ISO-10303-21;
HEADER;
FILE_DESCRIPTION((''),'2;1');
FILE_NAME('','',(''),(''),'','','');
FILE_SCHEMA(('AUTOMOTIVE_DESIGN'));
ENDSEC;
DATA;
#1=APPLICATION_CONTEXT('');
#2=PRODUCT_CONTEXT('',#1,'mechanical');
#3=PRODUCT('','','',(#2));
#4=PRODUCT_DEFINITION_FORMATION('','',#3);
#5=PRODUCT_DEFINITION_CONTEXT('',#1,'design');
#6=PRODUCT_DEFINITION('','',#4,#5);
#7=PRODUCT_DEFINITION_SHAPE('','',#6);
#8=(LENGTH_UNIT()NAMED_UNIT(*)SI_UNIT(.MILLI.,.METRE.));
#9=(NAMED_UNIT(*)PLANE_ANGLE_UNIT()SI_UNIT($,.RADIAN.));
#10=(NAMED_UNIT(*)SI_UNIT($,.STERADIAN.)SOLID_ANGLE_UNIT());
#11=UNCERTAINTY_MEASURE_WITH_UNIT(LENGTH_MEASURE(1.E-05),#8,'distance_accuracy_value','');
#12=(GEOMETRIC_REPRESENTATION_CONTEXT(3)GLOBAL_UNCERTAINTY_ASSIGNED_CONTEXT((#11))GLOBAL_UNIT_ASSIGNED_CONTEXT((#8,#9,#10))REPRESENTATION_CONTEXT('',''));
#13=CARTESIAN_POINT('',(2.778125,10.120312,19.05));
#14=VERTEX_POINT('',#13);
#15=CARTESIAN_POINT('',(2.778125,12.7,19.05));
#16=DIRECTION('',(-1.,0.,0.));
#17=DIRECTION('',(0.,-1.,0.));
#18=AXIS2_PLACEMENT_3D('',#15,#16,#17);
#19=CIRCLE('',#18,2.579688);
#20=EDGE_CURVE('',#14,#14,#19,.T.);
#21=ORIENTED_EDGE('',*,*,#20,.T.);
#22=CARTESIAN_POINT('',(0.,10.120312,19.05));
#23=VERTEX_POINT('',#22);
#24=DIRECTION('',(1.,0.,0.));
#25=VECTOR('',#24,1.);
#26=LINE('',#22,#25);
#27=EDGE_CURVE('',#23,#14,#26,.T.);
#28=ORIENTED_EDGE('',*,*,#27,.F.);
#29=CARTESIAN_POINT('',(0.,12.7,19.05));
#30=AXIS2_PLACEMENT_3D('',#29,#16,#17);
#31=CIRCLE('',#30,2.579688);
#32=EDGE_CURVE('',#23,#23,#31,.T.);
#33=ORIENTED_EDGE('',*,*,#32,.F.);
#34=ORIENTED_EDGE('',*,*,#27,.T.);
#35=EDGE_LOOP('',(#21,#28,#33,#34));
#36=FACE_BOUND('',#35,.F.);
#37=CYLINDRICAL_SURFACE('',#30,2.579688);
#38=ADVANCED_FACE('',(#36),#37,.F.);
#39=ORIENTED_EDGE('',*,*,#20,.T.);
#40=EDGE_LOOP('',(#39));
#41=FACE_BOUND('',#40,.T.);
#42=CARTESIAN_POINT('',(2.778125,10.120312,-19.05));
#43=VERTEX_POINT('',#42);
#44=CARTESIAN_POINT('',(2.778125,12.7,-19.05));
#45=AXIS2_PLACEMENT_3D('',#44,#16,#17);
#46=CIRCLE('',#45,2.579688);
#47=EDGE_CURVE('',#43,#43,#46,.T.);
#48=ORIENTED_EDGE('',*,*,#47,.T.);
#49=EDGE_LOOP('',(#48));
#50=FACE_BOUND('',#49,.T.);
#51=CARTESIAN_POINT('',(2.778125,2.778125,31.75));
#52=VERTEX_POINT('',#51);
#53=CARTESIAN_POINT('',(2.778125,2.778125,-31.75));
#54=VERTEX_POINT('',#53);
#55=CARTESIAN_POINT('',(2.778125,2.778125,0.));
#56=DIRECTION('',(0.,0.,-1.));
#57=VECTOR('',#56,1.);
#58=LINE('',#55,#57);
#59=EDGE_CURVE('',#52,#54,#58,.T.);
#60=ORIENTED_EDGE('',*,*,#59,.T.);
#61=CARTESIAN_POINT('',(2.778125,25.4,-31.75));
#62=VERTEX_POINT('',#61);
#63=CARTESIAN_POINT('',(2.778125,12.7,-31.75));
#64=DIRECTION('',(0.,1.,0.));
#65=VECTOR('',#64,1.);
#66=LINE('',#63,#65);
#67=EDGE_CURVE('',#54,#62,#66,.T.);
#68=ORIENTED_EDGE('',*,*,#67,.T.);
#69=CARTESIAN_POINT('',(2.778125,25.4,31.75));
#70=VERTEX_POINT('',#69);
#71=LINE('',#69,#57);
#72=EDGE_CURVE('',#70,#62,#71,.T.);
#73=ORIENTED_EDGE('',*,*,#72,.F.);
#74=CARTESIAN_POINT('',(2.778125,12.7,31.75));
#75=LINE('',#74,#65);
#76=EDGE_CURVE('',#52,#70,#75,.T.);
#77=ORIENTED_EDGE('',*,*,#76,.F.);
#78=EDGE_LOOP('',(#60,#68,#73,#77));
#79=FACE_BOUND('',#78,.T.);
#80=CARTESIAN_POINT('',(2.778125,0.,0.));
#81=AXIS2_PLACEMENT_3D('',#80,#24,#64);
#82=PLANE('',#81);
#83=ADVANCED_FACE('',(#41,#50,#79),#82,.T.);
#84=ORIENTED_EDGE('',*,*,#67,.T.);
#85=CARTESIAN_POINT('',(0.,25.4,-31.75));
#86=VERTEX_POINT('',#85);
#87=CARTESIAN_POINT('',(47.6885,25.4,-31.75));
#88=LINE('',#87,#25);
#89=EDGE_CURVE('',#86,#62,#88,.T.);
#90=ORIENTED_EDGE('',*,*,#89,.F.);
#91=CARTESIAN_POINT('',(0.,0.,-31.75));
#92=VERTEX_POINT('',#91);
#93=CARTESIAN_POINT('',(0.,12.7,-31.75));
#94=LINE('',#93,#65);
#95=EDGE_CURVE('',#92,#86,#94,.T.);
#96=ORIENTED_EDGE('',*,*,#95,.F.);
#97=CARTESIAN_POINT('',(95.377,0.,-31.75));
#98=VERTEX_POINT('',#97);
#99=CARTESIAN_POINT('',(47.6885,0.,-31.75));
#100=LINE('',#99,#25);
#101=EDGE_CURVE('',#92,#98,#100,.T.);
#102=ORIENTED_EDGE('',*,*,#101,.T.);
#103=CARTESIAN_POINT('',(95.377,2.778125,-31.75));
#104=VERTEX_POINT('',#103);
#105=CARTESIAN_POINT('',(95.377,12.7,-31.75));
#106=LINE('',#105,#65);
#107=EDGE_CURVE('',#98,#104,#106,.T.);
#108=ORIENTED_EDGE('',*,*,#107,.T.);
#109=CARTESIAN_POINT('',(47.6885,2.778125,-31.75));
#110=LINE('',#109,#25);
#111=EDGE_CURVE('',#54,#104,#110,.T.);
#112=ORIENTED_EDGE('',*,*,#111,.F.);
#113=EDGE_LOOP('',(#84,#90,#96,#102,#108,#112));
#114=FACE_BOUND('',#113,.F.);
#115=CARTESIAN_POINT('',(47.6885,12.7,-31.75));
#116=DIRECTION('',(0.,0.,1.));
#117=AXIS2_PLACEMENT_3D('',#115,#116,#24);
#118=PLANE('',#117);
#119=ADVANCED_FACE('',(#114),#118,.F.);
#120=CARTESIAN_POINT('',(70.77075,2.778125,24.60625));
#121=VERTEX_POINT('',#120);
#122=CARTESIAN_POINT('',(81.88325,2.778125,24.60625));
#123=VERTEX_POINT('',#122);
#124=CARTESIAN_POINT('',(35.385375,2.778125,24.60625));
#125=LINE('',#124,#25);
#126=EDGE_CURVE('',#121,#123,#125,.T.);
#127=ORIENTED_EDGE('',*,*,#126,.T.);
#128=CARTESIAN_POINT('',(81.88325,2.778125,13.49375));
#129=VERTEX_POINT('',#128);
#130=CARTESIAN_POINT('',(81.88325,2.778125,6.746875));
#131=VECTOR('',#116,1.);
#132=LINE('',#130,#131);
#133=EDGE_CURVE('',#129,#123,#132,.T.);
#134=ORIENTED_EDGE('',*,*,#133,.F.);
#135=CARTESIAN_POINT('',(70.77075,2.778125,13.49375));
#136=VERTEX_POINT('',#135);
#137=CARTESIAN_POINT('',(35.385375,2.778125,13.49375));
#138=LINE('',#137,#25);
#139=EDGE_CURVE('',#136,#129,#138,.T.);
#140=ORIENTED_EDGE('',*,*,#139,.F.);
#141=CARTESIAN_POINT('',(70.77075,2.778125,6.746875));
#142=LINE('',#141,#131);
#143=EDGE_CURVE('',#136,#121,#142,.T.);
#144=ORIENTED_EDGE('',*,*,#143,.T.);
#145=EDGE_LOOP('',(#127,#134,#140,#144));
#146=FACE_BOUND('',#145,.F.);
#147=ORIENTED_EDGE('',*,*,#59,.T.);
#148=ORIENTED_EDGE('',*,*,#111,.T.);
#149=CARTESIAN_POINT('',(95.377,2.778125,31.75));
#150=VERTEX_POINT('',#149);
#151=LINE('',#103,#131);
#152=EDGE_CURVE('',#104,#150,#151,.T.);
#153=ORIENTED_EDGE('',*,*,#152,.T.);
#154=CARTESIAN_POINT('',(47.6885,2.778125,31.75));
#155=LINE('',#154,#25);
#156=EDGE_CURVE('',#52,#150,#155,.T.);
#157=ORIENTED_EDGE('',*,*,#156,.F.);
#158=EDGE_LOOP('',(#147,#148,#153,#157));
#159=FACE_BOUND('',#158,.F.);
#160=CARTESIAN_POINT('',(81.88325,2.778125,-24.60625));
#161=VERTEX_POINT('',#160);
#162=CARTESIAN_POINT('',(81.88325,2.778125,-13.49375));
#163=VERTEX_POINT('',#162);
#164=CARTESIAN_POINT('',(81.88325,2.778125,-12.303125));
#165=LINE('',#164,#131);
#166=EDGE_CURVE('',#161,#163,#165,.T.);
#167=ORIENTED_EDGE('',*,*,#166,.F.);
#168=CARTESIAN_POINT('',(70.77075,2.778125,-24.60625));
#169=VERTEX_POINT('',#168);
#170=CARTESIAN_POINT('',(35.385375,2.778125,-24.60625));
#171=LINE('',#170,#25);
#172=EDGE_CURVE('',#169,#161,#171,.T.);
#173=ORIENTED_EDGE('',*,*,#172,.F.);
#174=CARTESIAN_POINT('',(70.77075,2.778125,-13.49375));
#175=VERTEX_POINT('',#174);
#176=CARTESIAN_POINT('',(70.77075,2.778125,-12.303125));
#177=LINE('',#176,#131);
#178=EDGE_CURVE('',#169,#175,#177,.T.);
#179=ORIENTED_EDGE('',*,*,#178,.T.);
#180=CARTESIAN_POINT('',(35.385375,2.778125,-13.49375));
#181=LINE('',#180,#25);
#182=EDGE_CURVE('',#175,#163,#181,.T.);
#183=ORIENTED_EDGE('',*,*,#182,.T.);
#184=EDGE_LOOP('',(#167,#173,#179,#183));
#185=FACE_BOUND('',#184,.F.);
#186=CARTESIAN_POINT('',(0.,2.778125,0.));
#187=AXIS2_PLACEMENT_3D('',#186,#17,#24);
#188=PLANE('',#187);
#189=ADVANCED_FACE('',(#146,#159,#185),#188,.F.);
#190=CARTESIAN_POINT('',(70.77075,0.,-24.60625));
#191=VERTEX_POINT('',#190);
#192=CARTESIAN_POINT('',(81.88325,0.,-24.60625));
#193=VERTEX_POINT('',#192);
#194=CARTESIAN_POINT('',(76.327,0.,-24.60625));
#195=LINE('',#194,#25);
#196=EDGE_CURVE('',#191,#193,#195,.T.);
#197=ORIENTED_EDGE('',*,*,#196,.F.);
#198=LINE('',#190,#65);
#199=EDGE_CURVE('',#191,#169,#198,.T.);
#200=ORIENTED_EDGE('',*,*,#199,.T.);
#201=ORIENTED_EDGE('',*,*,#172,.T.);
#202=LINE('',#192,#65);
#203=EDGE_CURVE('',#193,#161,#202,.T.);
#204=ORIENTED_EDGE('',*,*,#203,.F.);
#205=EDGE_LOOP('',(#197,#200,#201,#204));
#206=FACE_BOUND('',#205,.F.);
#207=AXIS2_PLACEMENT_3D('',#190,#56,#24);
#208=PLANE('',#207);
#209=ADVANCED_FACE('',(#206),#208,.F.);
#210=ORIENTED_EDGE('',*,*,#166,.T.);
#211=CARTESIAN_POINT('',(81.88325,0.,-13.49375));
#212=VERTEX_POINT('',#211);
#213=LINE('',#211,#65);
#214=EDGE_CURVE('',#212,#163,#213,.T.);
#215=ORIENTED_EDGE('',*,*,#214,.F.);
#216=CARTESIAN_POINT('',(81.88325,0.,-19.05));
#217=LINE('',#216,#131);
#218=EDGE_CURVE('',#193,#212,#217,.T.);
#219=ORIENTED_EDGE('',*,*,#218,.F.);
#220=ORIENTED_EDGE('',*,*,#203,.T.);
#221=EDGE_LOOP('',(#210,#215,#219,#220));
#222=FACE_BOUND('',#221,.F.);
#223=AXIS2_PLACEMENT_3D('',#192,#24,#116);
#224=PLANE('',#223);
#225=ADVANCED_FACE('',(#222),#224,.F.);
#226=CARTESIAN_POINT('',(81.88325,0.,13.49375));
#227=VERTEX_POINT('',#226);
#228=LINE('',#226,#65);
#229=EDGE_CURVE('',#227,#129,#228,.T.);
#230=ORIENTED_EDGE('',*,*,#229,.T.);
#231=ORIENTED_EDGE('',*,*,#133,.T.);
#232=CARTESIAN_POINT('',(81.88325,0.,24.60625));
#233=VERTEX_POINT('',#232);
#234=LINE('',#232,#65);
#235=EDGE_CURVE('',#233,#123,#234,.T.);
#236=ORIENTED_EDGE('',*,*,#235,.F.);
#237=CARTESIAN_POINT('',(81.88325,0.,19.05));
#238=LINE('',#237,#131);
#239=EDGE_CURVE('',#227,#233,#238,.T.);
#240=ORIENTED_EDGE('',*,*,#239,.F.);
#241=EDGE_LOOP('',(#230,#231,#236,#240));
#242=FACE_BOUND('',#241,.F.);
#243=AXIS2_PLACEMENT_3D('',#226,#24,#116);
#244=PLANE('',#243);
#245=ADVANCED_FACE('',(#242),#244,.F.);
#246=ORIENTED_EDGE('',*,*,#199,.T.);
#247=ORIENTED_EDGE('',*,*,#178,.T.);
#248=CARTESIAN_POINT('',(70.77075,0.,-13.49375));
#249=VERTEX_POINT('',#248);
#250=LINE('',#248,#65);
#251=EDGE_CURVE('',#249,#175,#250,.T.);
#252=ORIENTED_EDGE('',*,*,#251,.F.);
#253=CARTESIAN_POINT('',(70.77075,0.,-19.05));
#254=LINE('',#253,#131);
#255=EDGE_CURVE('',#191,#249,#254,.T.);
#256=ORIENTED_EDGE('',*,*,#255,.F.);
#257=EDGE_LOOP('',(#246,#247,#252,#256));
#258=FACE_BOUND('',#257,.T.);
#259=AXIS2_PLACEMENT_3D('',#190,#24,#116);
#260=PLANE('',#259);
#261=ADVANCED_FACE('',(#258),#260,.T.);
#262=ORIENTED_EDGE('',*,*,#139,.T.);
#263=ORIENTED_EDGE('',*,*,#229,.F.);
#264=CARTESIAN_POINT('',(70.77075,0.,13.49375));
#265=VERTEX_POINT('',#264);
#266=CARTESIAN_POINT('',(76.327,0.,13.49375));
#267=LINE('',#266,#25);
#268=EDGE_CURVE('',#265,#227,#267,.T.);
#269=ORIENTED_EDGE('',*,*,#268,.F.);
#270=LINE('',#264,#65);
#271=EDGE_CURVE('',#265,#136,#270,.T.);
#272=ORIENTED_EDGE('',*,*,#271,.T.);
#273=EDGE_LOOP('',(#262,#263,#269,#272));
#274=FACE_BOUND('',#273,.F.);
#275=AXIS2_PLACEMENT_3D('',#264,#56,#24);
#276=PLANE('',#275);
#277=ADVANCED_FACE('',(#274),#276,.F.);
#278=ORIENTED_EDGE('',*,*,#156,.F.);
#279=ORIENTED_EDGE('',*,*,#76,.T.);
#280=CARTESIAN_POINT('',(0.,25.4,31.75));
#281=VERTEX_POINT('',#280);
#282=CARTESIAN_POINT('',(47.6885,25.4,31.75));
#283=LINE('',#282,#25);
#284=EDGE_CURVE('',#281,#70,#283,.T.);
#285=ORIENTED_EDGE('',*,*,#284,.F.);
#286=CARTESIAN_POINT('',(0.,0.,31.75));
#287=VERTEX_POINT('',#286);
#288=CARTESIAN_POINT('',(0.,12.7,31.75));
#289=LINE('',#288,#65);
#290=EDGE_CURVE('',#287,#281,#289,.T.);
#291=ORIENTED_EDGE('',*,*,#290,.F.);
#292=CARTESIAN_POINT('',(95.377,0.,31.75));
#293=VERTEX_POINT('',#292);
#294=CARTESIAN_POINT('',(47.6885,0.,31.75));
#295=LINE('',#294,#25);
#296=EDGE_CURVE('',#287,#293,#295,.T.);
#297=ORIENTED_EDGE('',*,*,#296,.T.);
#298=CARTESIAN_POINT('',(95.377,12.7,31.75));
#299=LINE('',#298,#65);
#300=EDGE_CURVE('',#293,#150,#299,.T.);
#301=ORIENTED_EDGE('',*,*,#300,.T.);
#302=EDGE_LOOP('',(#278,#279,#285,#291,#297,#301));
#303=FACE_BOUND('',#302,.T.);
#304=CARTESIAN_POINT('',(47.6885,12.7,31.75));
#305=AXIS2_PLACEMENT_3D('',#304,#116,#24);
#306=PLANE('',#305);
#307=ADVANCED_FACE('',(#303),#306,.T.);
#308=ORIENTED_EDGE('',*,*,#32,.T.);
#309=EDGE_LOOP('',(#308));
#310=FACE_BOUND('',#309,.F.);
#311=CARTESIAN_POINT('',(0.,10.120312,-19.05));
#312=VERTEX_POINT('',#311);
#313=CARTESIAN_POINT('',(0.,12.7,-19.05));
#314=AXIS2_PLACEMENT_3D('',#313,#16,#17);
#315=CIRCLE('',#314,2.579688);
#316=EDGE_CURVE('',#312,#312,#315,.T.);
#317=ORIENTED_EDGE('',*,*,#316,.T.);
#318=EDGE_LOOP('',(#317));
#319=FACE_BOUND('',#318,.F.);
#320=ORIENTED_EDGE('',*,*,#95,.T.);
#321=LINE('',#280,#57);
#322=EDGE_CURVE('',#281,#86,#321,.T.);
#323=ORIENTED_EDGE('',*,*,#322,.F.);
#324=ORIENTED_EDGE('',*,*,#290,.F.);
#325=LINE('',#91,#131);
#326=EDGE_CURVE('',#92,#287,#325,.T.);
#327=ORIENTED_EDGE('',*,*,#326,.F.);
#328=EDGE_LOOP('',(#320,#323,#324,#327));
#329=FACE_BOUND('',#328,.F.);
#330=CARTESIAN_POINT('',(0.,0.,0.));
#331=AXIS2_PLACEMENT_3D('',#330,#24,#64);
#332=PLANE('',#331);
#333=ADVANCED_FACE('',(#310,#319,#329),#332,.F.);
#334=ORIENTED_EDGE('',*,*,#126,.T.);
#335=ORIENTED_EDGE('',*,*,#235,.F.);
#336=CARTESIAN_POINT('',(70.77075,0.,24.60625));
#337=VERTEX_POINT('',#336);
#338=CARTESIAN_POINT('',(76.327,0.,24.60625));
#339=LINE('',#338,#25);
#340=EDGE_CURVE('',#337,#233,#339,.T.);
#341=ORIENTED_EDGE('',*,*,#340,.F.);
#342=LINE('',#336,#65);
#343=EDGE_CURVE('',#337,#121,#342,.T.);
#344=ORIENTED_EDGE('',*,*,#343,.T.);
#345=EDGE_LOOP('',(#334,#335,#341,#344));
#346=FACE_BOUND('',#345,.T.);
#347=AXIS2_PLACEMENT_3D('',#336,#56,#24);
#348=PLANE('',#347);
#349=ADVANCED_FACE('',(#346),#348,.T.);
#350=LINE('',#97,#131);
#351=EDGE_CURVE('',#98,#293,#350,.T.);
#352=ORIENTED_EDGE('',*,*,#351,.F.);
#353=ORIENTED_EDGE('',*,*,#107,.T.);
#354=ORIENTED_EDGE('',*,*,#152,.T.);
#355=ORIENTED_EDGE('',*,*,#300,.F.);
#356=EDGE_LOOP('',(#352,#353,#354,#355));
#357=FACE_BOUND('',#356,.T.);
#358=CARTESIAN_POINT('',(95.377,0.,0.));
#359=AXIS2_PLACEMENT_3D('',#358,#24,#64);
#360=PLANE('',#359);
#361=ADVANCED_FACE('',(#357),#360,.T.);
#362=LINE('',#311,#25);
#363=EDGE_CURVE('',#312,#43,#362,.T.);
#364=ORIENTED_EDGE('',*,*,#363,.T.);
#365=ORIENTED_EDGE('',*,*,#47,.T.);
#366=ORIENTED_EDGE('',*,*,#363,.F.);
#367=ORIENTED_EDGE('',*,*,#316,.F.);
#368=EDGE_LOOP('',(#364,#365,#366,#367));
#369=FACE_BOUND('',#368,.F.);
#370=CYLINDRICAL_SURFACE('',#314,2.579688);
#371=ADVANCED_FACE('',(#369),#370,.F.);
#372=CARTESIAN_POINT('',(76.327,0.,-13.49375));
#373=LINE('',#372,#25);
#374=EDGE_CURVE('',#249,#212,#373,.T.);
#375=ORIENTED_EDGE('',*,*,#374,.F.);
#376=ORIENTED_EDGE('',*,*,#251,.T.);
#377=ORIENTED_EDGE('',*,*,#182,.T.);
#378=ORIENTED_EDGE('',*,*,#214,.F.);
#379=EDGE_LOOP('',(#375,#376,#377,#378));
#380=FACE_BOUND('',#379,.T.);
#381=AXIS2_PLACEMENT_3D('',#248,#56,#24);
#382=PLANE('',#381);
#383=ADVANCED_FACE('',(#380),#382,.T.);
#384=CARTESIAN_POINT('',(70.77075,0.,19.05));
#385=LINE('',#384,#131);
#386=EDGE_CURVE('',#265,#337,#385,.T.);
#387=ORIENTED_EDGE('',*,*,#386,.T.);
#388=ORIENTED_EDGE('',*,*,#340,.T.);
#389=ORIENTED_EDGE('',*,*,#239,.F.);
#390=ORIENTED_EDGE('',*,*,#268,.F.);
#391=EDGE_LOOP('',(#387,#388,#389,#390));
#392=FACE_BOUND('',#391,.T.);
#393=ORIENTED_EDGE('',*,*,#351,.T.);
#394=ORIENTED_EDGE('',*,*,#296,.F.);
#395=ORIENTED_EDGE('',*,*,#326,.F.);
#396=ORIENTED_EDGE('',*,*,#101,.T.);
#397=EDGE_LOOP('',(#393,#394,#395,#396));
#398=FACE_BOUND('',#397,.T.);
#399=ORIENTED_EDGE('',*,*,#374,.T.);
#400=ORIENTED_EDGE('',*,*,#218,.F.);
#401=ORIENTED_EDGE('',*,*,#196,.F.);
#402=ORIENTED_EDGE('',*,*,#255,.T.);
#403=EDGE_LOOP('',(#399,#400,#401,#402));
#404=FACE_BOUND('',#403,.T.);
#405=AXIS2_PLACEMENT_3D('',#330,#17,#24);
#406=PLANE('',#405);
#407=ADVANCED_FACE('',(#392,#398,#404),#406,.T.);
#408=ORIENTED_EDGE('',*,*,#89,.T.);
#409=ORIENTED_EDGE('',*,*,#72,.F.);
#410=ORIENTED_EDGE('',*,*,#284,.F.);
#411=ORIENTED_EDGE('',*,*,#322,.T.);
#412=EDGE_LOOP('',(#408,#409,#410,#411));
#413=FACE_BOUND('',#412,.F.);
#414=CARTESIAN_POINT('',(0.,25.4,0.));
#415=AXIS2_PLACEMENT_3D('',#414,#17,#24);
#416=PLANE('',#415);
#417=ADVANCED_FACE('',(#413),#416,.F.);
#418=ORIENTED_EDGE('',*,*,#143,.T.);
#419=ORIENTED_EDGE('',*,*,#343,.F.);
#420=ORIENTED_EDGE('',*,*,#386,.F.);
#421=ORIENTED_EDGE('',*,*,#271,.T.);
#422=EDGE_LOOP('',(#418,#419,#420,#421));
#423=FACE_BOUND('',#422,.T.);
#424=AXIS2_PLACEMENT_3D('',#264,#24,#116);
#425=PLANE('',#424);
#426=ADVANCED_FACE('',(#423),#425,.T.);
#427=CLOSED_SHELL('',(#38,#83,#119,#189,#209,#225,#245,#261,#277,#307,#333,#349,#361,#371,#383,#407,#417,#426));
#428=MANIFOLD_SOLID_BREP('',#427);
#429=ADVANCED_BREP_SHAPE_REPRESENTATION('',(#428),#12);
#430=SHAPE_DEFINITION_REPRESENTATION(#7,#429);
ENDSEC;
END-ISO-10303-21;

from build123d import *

# Parameters (mm, degrees)
F0_W     = 95.377
F0_H     = 25.4
F1_DEPTH = 31.75
F2_T     = -2.778125
F3_W     = 11.1125
F3_H     = 11.1125
F4_DEPTH = 25.401
F5_R     = 2.579688
F6_DEPTH = 95.378


with BuildPart() as f1:
    # F0 (on Top) → F1 (new body, symmetric)
    with BuildSketch(Plane.XY):
        with Locations((47.6885, 12.7)):
            Rectangle(F0_W, F0_H)
    extrude(amount=F1_DEPTH, both=True)

    # F2
    f2_openings = [f1.faces().sort_by_distance(p)[0] for p in [
        (95.377, 12.7, 0),
        (47.6885, 12.7, 31.75),
        (47.6885, 12.7, -31.75),
        (47.6885, 25.4, 0),
    ]]
    offset(amount=F2_T, openings=f2_openings)

    # F3 (on face) → F4 (cut, through all)
    with BuildSketch(Plane.XZ):
        with Locations((76.327, -19.05)):
            Rectangle(F3_W, F3_H)
        with Locations((76.327, 19.05)):
            Rectangle(F3_W, F3_H)
    extrude(amount=-F4_DEPTH, mode=Mode.SUBTRACT)

    # F5 (on face) → F6 (cut, through all)
    with BuildSketch(Plane(origin=(0, 0, 0), x_dir=(0, -1, 0), z_dir=(-1, 0, 0))):
        with Locations((-12.7, 19.05)):
            Circle(F5_R)
        with Locations((-12.7, -19.05)):
            Circle(F5_R)
    extrude(amount=-F6_DEPTH, mode=Mode.SUBTRACT)


solid = f1.part
